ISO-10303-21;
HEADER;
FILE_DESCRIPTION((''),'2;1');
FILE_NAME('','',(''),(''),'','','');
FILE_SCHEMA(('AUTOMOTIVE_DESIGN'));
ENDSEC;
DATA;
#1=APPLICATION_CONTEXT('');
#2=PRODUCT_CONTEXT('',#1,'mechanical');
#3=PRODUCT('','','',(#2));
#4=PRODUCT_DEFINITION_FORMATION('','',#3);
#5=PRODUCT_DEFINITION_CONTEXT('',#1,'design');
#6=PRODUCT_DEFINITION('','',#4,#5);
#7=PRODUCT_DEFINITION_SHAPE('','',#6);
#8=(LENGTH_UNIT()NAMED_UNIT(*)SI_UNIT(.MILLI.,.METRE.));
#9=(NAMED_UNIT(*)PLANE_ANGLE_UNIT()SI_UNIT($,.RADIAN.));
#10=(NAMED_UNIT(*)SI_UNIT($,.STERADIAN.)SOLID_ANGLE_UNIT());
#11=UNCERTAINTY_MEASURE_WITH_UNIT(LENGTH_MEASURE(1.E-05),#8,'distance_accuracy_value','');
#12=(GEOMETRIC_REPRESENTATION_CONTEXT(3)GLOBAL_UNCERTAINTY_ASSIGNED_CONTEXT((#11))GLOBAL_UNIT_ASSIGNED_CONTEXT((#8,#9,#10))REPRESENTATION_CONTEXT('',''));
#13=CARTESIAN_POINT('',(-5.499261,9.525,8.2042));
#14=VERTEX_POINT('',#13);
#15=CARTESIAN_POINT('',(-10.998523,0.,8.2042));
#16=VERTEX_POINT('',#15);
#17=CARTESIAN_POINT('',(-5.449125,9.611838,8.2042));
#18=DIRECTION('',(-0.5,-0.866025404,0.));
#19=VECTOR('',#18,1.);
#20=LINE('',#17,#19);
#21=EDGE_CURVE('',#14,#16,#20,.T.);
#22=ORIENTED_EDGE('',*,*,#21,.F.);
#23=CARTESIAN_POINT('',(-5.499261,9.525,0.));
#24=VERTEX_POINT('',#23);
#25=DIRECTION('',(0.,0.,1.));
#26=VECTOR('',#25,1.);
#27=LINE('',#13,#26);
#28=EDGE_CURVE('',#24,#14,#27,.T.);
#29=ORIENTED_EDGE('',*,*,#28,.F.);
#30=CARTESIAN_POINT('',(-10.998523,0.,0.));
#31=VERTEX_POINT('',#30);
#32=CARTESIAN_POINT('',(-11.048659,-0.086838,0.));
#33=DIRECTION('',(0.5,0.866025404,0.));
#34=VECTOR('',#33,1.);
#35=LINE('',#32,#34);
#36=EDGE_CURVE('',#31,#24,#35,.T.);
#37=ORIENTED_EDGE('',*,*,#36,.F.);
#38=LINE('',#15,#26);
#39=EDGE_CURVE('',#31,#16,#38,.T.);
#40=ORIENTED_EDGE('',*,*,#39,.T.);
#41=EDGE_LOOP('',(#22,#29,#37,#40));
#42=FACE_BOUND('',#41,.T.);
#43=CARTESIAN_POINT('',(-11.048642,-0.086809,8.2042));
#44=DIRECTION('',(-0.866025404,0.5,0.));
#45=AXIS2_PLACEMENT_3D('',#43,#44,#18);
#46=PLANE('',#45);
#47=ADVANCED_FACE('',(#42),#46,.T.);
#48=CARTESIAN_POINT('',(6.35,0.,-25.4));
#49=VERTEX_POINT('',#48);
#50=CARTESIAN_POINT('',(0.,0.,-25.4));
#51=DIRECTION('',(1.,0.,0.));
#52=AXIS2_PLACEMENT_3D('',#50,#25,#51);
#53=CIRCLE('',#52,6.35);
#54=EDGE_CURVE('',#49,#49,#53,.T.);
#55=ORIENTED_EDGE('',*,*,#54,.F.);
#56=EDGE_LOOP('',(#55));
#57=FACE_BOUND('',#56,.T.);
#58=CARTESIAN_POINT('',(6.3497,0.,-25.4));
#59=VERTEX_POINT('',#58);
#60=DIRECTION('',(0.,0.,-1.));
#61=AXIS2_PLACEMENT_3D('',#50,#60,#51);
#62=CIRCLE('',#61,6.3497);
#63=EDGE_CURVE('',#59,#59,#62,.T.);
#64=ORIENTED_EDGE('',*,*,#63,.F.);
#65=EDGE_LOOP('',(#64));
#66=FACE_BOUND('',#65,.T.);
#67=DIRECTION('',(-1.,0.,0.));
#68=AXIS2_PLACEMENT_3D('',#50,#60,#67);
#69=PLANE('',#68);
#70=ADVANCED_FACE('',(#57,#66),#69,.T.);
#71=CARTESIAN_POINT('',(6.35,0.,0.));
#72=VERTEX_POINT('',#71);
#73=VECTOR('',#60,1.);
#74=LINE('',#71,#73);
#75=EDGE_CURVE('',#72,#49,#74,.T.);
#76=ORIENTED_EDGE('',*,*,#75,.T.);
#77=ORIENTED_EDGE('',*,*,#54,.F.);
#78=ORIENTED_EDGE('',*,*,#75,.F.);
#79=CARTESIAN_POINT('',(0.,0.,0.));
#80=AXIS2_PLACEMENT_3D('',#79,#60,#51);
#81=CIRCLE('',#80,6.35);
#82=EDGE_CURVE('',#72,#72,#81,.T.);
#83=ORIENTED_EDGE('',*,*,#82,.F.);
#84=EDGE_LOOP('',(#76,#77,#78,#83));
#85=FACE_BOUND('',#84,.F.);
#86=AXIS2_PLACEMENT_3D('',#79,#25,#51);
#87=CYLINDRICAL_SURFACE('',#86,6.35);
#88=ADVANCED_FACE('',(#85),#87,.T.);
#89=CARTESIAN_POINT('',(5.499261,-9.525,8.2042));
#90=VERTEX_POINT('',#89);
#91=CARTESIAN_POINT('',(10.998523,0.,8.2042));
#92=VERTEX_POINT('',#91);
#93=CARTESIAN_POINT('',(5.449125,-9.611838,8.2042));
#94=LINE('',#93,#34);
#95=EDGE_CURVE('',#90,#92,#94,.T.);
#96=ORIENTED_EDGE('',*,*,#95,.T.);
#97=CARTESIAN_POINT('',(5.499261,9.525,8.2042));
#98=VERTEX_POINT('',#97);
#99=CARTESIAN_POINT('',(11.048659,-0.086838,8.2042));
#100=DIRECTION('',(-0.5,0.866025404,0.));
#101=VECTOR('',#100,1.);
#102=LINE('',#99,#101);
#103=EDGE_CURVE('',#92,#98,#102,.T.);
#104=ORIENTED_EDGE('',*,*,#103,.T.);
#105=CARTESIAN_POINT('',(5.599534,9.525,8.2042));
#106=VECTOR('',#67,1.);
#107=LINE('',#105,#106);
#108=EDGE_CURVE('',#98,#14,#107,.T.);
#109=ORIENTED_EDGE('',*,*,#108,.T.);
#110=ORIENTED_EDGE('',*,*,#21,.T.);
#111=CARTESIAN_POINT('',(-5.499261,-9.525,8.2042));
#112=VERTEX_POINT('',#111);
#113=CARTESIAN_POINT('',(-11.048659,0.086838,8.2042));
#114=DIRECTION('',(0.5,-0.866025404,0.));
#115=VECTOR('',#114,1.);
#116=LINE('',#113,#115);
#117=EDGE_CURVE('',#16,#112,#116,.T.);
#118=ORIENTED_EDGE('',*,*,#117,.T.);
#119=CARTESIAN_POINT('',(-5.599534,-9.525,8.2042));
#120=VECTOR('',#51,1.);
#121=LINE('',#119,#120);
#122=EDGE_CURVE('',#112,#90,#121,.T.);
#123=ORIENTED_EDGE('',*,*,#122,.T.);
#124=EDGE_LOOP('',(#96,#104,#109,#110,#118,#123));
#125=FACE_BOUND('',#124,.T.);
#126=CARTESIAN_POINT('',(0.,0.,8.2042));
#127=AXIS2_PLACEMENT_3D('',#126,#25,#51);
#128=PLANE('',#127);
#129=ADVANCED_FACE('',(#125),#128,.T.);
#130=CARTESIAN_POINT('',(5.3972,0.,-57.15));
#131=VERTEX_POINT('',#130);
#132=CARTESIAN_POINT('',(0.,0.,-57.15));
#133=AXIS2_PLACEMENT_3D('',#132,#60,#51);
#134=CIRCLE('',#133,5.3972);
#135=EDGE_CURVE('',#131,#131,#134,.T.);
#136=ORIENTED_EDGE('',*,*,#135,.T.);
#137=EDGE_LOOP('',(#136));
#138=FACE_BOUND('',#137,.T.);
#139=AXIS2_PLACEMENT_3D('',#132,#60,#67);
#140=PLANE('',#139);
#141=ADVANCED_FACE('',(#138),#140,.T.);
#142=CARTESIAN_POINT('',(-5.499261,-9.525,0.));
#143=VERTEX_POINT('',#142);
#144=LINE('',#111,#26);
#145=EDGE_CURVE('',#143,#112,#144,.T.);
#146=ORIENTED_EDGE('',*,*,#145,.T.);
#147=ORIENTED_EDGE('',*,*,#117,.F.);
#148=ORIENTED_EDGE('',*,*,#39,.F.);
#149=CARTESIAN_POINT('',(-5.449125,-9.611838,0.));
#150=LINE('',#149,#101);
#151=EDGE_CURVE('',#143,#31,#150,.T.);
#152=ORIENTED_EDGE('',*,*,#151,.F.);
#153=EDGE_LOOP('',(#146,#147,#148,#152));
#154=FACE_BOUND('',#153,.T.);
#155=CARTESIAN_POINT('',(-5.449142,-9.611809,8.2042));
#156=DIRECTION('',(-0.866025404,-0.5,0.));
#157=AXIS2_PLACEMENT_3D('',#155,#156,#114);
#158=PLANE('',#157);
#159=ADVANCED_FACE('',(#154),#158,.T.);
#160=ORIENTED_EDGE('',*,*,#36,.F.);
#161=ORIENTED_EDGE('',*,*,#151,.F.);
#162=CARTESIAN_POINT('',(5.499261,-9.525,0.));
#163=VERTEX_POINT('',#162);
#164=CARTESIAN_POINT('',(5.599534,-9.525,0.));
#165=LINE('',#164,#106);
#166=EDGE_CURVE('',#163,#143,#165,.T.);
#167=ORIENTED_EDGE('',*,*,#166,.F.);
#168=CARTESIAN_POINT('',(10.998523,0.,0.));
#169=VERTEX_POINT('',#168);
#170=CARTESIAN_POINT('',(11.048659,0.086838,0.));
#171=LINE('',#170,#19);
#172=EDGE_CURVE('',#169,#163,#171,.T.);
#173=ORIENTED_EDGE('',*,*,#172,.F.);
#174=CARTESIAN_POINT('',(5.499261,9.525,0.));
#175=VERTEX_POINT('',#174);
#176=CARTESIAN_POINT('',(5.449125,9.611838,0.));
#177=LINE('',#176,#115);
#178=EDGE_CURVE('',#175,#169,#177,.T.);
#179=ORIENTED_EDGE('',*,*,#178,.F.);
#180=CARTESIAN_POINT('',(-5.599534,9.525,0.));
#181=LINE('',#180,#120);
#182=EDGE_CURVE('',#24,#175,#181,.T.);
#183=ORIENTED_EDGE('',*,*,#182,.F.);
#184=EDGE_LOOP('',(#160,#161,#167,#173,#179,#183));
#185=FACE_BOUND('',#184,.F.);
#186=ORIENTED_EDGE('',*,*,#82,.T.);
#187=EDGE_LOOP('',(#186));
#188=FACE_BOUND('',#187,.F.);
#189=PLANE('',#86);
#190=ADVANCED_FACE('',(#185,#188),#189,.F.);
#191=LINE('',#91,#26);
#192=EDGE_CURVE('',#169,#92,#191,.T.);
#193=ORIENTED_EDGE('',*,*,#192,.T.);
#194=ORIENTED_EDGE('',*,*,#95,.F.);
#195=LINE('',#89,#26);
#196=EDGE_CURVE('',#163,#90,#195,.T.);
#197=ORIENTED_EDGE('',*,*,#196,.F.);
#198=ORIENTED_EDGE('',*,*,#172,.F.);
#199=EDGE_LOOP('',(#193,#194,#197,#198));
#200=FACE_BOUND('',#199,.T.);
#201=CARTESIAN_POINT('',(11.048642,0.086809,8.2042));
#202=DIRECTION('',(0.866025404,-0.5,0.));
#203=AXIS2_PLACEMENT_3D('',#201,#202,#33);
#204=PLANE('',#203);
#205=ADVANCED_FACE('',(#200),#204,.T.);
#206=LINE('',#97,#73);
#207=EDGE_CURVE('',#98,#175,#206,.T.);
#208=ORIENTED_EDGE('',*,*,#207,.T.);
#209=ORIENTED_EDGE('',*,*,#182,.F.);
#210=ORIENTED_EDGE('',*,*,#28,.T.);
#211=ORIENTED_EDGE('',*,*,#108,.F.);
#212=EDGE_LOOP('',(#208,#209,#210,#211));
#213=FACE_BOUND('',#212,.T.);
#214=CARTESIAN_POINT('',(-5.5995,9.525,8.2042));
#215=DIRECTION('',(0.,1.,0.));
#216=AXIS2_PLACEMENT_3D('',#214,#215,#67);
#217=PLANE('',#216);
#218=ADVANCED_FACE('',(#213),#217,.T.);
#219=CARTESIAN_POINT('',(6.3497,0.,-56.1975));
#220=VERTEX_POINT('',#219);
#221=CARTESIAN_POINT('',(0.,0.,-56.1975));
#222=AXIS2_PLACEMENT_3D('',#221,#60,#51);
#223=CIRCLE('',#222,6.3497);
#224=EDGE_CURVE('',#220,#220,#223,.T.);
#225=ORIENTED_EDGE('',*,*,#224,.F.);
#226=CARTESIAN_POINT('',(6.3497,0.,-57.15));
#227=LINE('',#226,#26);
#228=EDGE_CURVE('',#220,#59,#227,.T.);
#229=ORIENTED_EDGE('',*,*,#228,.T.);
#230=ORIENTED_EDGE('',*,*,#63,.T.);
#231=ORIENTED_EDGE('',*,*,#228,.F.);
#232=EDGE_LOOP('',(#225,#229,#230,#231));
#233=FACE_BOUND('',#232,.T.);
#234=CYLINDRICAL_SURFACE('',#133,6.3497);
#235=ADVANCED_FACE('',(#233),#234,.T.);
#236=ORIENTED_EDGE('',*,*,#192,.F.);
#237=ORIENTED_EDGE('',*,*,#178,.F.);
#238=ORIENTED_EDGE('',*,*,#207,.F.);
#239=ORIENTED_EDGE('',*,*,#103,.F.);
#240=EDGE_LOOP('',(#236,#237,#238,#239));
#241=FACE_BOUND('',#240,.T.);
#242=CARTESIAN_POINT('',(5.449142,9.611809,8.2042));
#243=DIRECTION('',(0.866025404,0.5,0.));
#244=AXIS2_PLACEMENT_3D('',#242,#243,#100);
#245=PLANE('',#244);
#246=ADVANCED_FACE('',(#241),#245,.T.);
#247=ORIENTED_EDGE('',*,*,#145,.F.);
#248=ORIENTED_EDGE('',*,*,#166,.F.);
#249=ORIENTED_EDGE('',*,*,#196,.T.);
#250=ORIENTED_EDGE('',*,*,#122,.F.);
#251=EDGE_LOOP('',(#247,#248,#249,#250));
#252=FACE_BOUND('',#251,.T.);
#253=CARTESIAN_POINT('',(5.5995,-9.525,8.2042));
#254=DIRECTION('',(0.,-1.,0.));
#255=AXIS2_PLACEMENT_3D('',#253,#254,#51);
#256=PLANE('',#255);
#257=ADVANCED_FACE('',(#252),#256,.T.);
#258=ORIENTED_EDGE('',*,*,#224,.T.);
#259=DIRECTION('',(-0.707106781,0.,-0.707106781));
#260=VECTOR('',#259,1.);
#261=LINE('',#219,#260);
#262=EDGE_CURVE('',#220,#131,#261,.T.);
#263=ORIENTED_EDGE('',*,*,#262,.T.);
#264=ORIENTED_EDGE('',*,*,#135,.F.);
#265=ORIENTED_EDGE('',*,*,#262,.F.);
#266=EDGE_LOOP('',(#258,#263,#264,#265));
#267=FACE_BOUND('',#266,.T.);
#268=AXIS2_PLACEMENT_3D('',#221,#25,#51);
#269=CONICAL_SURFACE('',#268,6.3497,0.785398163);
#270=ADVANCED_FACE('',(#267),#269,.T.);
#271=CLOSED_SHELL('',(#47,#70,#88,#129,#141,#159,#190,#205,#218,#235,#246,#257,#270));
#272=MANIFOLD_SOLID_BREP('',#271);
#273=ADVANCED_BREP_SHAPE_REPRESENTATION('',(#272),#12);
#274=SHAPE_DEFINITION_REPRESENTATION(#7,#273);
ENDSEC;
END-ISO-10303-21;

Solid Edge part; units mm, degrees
sketch "Sketch1" plane through (0, 0, 0) normal (0, 0, 1) x (1, 0, 0)
  circle A0 centre (0, 0) radius 11.049
  dimension "D1" = 22.098
extrude "Protrusion1" add sketch "Sketch1" along normal blind 8.2042
sketch "Sketch2" plane through (0, 0, 0) normal (0, 0, -1) x (1, 0, 0)
  circle A0 centre (0, 0) radius 6.35
extrude "Protrusion2" add sketch "Sketch2" along normal blind 57.15
sketch "Sketch3" plane through (0, 0, -57.15) normal (0, 0, -1) x (1, 0, 0)
  circle A0 centre (0, 0) radius 6.3497
extrude "Cutout1" cut sketch "Sketch3" against normal blind 31.75 flip side to cut
chamfer "Chamfer_1" distance 0.9525 angle 45 1 edges at (-6.3497, 0, -57.15)
sketch "Sketch4" plane through (0, 0, 8.2042) normal (0, 0, 1) x (1, 0, 0)
  line L0 (-5.5995, 9.525) -> (5.5995, 9.525)
  dimension "D1" = 19.05
extrude "Cutout2" cut sketch "Sketch4" against normal up to next material side at (0, 9.575, 8.2042)
pattern_circular "Pattern1" count 6 over 360 about axis through (0, 0, 8.2042) along (0, 0, 1) of "Cutout2"
properties part number "24100103"
